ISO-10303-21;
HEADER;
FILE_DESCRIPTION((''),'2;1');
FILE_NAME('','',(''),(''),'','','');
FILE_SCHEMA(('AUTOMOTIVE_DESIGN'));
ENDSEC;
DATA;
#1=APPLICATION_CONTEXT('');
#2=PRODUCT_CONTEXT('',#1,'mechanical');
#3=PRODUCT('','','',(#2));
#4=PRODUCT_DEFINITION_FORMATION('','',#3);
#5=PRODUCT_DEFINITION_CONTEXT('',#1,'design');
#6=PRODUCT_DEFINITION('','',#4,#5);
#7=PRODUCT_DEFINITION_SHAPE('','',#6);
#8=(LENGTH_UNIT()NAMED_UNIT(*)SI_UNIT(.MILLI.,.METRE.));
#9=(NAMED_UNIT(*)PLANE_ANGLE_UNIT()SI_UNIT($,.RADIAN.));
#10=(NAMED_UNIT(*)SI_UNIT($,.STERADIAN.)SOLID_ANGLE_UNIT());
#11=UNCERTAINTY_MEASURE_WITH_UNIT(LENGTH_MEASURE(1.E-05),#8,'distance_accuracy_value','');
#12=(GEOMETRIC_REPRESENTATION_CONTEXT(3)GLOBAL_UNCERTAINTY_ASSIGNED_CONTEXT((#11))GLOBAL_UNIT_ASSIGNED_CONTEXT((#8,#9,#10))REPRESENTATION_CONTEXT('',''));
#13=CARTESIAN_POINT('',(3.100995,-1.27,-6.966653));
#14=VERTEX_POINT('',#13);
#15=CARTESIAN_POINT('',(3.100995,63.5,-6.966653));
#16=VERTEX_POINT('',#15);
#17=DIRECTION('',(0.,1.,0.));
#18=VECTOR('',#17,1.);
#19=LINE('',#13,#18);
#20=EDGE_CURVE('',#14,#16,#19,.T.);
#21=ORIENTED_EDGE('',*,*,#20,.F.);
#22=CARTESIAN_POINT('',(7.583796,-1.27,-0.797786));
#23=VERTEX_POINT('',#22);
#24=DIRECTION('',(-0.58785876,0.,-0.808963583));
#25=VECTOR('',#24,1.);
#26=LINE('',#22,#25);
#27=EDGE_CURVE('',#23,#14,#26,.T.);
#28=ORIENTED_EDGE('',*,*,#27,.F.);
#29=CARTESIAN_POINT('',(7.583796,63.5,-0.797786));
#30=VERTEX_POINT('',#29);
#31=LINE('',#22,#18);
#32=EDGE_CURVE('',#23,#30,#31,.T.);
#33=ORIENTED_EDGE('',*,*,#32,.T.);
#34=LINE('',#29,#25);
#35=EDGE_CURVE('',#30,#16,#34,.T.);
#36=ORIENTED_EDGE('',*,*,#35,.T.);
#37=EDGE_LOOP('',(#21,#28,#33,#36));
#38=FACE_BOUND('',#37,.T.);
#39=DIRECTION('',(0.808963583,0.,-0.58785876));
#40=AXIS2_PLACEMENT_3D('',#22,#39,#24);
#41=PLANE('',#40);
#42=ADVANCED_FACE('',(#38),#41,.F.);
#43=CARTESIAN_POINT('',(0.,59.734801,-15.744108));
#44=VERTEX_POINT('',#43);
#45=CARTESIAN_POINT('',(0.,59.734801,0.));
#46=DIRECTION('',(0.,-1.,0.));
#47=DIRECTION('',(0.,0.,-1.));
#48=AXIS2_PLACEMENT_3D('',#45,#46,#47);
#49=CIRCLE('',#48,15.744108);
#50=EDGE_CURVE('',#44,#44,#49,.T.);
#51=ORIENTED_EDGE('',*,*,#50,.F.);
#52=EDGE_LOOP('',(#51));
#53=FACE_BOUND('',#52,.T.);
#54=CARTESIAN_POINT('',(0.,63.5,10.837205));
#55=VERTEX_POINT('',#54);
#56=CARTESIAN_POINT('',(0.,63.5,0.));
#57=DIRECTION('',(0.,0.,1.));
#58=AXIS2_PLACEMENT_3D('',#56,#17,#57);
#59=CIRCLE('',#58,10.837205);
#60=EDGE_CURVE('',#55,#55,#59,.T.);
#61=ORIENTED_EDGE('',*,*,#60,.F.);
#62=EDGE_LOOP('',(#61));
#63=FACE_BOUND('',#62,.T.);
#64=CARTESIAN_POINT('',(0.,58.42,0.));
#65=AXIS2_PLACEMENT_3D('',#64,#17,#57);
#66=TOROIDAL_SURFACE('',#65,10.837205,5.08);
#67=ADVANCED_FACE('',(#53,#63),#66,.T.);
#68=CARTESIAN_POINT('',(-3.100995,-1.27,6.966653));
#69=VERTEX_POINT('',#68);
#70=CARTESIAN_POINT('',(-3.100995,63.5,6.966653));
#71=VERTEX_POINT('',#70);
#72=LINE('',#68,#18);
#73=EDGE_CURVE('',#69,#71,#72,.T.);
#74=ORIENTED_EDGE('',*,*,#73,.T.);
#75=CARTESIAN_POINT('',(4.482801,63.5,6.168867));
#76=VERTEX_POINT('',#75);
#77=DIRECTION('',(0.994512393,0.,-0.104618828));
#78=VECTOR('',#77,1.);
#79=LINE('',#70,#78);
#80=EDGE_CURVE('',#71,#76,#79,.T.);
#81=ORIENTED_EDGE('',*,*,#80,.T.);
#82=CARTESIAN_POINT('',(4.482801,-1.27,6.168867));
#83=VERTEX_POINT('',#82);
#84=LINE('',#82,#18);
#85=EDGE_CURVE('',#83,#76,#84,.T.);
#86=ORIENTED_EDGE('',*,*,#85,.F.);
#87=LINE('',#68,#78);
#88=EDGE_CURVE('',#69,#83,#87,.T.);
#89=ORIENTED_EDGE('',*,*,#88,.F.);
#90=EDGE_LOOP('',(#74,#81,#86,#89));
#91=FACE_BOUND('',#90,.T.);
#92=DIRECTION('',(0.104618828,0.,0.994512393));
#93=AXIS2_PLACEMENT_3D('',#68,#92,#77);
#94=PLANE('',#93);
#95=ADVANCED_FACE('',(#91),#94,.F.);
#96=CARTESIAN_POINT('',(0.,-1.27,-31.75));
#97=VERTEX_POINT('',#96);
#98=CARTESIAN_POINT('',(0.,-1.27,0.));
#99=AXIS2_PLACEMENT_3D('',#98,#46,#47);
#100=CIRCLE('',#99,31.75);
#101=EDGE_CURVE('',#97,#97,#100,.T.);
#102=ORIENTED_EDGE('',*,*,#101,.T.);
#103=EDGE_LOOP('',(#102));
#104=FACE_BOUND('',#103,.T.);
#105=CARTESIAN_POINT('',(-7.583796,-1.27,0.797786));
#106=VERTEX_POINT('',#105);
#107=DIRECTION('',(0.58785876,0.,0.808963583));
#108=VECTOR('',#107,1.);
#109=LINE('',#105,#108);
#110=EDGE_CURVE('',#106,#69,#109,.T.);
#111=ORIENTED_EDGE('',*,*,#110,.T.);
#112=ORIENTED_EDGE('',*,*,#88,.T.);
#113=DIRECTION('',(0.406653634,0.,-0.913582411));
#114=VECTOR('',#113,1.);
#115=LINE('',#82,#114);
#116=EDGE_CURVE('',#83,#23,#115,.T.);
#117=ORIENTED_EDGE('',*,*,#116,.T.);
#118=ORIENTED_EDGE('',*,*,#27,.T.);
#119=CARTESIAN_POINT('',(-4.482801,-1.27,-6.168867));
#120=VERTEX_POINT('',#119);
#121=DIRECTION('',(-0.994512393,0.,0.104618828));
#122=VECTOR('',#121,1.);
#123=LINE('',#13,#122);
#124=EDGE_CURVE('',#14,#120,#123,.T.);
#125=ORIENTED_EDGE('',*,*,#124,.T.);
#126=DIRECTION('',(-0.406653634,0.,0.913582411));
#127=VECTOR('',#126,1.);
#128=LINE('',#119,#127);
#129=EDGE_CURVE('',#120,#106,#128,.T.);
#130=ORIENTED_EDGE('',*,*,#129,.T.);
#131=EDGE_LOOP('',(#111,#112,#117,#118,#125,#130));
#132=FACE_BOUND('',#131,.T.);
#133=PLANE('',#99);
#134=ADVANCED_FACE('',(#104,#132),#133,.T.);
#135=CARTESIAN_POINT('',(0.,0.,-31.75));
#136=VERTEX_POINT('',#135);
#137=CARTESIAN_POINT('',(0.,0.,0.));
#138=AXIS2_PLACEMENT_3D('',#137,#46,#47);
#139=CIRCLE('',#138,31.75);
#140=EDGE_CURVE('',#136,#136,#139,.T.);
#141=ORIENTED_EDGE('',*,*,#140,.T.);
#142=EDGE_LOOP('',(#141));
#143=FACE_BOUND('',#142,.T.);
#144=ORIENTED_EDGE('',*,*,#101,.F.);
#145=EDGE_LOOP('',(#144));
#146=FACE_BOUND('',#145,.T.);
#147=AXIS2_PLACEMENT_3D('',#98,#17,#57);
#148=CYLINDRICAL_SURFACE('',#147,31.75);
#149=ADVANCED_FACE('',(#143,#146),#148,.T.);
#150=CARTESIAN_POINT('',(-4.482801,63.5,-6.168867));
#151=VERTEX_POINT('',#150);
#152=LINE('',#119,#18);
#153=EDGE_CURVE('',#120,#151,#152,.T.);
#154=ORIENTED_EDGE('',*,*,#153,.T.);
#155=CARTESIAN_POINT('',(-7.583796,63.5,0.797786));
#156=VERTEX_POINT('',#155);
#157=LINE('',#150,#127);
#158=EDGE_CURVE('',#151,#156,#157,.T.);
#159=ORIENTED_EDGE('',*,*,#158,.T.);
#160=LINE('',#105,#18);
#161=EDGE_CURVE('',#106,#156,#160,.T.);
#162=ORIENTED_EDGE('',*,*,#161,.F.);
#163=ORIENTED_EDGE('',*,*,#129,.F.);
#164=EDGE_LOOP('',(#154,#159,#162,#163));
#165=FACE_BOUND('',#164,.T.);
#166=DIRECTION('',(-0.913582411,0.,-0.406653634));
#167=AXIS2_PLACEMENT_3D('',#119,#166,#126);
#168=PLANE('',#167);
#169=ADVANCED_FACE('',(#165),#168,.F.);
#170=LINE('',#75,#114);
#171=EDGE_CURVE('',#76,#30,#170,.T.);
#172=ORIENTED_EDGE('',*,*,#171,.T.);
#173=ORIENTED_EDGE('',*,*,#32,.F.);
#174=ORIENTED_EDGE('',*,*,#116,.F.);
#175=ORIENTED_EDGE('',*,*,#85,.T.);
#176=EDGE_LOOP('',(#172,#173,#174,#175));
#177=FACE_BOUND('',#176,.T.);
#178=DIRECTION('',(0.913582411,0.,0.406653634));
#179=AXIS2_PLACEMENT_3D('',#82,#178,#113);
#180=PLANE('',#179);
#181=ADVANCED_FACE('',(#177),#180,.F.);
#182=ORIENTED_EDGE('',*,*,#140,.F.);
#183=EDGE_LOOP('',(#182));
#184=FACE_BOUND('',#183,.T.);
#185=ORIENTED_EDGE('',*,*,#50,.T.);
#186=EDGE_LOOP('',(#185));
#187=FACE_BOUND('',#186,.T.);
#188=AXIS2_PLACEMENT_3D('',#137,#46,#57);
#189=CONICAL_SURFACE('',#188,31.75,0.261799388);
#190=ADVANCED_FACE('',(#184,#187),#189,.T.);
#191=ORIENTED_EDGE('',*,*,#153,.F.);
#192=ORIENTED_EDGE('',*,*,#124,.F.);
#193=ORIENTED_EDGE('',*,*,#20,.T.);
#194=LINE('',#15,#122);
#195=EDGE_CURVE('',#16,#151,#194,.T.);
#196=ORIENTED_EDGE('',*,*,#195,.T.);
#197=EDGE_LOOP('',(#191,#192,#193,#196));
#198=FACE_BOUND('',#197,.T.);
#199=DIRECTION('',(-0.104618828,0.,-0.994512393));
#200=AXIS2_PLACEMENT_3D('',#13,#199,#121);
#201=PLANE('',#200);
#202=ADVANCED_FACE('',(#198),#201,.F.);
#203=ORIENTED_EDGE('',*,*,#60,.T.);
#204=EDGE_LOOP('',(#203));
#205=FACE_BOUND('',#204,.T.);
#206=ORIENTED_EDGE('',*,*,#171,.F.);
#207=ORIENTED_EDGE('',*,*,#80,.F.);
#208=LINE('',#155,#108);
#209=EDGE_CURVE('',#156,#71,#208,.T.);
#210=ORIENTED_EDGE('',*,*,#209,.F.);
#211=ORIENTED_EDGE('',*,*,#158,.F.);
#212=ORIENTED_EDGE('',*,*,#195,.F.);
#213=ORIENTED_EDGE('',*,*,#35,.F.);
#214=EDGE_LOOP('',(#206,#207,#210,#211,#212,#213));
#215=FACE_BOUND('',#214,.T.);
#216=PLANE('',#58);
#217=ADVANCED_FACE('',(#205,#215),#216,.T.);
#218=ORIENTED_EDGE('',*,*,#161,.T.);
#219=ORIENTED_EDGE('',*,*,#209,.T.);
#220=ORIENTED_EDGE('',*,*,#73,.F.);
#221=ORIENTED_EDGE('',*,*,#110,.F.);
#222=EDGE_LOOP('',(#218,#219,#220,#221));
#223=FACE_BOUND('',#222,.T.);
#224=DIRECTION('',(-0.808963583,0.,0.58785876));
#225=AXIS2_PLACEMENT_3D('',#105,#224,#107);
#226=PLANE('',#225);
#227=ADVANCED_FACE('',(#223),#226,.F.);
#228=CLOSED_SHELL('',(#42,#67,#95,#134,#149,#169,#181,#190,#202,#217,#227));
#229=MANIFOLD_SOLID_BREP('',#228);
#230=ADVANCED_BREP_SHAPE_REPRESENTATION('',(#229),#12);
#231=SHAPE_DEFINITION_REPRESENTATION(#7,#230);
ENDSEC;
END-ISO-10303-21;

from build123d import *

# Parameters (mm, degrees)
SKETCH2_R               = 31.75
BOSS_EXTRUDE1_DEPTH     = 63.5
BOSS_EXTRUDE1_TAPER     = 15
SKETCH3_R               = 31.75
BOSS_EXTRUDE2_DEPTH     = 1.27
CUT_EXTRUDE2_DEPTH      = 64.5000001
CUT_EXTRUDE2_DEPTH_BACK = 2.27
FILLET1_R               = 5.08


with BuildPart() as part:
    # Sketch2 → Boss-Extrude1 (new body)
    with BuildSketch(Plane(origin=(0, 0, 0), x_dir=(1, 0, 0), z_dir=(0, 1, 0))):
        Circle(SKETCH2_R)
    extrude(amount=BOSS_EXTRUDE1_DEPTH, taper=BOSS_EXTRUDE1_TAPER)

    # Sketch3 → Boss-Extrude2 (add)
    with BuildSketch(Plane.XZ):
        Circle(SKETCH3_R)
    extrude(amount=BOSS_EXTRUDE2_DEPTH)

    # Sketch7 → Cut-Extrude2 (cut, two sides)
    with BuildSketch(Plane(origin=(0, 0, 0), x_dir=(1, 0, 0), z_dir=(0, 1, 0))) as cut_extrude2_sk:
        Polygon((4.482800658, -6.168866962), (7.583795831, 0.79778577), (3.100995172, 6.966652731), (-4.482800658, 6.168866962), (-7.583795831, -0.79778577), (-3.100995172, -6.966652731), align=None)
    extrude(amount=CUT_EXTRUDE2_DEPTH, mode=Mode.SUBTRACT)
    extrude(cut_extrude2_sk.sketch, amount=-CUT_EXTRUDE2_DEPTH_BACK, mode=Mode.SUBTRACT)

    # Fillet1
    fillet1_edges = [part.edges().sort_by_distance(p)[0] for p in [
        (-14.735226281, 63.5, 0),
    ]]
    fillet(fillet1_edges, radius=FILLET1_R)


solid = part.part
